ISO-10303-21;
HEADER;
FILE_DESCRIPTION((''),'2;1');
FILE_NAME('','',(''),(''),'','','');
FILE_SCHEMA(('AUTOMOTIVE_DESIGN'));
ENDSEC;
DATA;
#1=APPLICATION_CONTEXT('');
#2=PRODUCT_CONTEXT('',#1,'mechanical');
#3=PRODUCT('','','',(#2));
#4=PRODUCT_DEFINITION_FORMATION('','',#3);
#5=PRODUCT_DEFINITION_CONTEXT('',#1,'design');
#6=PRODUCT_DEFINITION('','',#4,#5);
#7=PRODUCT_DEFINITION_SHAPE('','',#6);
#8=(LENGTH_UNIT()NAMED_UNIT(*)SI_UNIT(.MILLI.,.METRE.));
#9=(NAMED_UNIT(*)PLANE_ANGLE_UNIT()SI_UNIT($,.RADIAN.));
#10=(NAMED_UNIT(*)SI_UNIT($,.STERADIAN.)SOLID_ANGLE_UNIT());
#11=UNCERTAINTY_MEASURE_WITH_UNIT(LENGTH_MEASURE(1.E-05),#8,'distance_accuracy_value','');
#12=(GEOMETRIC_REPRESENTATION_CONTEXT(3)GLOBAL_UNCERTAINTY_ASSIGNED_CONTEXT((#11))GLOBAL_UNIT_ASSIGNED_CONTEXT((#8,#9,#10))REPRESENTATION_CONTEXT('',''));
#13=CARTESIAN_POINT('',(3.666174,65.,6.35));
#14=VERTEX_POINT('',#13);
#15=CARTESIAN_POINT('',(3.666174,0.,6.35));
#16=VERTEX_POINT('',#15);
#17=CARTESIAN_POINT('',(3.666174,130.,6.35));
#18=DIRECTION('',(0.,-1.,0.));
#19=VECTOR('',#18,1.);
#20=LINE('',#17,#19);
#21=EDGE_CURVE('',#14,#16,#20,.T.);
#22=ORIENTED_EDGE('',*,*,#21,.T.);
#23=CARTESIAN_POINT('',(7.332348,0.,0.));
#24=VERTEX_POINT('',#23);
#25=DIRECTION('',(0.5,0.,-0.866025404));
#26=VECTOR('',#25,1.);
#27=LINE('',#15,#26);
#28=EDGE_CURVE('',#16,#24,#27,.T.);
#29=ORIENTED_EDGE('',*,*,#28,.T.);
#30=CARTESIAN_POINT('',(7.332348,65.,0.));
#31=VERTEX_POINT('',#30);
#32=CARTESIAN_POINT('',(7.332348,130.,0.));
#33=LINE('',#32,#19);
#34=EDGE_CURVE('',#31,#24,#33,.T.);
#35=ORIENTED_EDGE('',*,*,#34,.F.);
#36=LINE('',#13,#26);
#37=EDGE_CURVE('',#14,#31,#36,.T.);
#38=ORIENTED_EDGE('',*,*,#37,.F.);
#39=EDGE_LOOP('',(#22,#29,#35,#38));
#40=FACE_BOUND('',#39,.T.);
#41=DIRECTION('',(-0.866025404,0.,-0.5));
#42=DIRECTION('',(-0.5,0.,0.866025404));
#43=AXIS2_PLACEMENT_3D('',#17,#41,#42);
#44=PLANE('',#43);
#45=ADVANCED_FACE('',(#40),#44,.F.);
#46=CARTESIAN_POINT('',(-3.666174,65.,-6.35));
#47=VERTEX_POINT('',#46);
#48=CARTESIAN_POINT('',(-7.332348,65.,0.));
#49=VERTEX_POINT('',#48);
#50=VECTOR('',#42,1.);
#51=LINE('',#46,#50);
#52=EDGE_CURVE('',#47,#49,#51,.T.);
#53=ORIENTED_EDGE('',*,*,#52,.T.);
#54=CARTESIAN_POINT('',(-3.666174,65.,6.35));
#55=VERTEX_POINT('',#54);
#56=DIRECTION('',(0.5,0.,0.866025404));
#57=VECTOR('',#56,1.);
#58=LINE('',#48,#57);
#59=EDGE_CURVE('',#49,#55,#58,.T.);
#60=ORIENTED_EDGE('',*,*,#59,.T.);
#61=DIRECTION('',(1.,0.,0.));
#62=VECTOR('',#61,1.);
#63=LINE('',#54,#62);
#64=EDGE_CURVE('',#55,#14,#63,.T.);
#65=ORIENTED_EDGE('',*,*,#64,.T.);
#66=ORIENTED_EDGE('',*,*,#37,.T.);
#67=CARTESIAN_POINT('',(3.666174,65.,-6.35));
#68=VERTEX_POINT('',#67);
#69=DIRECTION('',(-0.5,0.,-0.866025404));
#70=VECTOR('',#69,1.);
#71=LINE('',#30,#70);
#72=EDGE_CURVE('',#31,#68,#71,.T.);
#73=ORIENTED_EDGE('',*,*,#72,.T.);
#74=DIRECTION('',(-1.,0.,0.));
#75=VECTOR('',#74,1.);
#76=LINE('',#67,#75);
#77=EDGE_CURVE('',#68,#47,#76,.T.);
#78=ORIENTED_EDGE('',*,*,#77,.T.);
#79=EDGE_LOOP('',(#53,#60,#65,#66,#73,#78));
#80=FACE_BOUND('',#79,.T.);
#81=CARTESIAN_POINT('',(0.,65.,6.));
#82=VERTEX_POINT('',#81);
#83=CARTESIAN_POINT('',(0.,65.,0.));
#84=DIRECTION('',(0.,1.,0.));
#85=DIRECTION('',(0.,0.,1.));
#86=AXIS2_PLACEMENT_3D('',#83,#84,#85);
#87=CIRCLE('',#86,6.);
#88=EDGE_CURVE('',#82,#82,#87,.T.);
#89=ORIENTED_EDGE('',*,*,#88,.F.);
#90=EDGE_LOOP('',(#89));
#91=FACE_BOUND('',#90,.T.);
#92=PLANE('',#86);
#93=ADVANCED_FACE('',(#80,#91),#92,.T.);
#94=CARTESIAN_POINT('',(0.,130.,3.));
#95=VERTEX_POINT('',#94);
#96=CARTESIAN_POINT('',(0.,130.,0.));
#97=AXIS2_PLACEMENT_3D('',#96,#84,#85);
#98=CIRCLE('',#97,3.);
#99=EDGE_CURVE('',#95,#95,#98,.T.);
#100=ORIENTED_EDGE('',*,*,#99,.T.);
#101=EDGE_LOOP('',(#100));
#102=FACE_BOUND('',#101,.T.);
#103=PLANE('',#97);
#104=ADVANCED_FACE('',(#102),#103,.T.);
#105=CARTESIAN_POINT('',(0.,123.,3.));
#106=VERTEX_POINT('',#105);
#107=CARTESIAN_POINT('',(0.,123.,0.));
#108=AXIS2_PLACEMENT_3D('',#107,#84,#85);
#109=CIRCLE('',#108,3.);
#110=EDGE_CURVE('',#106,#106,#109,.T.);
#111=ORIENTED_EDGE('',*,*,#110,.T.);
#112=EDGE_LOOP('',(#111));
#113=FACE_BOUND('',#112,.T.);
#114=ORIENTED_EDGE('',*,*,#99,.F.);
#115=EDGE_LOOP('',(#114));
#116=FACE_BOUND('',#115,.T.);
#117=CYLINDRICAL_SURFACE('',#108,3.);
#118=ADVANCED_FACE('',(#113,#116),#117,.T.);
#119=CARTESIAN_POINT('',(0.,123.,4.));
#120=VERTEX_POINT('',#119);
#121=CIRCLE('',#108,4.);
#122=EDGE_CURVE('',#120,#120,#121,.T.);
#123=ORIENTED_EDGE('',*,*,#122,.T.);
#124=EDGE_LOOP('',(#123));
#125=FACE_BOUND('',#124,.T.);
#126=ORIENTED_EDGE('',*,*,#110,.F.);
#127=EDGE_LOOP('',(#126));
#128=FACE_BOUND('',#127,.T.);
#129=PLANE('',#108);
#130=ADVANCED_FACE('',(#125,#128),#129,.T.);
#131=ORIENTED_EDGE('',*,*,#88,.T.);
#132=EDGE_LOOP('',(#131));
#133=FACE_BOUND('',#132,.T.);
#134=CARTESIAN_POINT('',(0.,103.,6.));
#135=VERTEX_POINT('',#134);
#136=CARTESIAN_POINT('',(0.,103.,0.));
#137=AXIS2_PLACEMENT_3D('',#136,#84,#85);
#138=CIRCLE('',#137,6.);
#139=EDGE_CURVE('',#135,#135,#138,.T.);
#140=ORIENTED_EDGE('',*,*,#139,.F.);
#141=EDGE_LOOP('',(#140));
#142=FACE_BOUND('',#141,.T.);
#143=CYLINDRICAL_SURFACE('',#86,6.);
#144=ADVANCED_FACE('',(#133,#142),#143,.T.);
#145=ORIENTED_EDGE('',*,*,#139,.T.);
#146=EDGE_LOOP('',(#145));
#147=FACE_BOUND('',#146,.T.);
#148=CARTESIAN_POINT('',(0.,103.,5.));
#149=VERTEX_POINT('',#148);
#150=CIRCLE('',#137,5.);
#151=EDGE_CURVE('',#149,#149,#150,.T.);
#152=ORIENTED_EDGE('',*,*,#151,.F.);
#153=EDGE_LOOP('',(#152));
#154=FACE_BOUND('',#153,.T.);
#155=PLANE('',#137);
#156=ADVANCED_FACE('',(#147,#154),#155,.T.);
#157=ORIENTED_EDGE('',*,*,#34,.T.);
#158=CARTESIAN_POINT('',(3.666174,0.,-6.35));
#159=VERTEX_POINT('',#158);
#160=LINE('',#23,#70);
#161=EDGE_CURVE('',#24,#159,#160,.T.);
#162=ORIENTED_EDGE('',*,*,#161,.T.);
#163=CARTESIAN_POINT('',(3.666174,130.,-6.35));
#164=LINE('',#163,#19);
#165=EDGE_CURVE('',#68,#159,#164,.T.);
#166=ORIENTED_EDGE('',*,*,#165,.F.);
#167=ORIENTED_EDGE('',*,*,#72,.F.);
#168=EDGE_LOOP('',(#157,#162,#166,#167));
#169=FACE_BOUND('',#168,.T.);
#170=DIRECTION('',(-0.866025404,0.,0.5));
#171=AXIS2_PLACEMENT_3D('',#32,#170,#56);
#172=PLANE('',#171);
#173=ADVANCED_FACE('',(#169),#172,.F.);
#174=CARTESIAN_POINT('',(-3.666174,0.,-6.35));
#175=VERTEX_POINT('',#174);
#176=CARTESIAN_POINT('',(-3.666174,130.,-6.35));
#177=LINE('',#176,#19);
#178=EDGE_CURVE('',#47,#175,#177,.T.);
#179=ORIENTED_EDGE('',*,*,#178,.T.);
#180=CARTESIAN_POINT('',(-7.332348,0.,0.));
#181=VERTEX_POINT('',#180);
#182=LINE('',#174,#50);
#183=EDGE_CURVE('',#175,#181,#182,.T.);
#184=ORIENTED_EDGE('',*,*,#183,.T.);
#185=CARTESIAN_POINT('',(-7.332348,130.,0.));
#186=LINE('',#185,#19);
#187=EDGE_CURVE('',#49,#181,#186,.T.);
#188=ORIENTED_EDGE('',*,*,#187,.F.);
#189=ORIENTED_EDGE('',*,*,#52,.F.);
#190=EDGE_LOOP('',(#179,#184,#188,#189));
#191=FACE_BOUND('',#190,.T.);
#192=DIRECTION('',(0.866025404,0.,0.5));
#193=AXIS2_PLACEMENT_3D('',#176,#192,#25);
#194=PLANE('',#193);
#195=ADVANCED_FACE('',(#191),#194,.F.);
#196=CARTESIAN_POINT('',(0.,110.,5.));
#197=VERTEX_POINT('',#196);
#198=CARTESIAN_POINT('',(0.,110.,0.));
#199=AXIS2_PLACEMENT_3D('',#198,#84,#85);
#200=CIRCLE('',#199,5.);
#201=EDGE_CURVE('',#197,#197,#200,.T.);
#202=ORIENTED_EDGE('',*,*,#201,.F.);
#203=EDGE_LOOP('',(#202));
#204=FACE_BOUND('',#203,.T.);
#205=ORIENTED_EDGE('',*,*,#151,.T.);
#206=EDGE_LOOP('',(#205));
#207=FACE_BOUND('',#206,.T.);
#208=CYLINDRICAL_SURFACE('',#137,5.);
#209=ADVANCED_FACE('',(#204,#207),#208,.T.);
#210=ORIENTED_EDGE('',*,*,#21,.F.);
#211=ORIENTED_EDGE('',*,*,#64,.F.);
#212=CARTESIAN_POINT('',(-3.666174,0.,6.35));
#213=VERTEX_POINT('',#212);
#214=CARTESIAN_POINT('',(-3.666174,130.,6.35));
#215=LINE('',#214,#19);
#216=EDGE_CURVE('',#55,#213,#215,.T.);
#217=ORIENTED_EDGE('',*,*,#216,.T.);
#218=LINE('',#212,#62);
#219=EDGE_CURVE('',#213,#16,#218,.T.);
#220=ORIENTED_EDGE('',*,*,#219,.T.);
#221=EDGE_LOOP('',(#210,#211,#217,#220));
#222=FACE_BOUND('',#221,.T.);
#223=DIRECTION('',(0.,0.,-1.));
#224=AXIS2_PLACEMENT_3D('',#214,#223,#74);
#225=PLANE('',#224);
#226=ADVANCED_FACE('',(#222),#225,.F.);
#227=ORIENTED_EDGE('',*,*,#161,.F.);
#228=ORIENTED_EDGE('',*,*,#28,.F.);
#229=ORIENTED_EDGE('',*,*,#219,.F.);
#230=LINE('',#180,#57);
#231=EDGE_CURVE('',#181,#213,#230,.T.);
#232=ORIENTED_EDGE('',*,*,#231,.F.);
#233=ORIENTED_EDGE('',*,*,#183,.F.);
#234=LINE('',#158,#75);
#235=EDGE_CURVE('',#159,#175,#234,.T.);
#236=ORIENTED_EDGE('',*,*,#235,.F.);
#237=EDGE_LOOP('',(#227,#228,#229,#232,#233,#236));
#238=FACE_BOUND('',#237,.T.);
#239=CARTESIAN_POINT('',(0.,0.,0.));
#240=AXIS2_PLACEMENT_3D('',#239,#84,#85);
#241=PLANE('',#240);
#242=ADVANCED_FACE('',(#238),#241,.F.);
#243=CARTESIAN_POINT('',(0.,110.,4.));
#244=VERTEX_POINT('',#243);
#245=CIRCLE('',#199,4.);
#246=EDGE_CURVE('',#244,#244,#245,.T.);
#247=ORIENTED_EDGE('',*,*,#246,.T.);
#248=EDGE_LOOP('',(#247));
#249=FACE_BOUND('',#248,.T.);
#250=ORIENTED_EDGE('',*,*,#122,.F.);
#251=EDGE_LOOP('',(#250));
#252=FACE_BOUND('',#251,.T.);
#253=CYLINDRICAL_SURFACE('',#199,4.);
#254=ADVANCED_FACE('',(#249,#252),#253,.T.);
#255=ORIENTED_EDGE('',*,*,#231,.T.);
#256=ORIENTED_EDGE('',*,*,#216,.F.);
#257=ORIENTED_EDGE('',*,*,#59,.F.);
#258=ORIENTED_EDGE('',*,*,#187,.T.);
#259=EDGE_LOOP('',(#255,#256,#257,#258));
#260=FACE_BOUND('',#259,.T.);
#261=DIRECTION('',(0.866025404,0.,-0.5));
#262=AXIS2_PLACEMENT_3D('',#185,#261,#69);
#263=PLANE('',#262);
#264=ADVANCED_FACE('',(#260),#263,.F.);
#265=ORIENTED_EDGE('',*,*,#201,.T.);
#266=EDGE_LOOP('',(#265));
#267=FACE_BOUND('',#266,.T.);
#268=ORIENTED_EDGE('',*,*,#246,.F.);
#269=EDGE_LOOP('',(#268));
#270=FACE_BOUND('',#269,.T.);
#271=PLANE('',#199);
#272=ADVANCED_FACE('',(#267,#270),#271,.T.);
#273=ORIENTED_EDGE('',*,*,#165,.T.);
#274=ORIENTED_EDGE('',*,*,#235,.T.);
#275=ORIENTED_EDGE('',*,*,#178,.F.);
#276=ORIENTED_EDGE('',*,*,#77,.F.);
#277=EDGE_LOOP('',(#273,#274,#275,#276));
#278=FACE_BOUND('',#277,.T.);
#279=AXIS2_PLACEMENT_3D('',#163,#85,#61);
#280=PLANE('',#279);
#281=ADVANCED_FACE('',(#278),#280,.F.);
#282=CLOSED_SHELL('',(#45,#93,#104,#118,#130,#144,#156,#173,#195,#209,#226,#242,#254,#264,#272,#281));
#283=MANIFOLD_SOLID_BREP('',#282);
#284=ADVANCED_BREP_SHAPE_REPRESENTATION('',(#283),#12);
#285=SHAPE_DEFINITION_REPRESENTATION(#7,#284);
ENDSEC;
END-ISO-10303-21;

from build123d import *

# Parameters (mm, degrees)
SALIENTE_EXTRUIR1_DEPTH = 130
CROQUIS3_R              = 7.332348419
CROQUIS3_R_2            = 6
CORTAR_EXTRUIR1_DEPTH   = 65
CROQUIS4_R              = 6
CROQUIS4_R_2            = 5
CORTAR_EXTRUIR2_DEPTH   = 27
CROQUIS5_R              = 5
CROQUIS5_R_2            = 4
CORTAR_EXTRUIR3_DEPTH   = 20
CROQUIS6_R              = 4
CROQUIS6_R_2            = 3
CORTAR_EXTRUIR4_DEPTH   = 7


with BuildPart() as part:
    # Croquis2 → Saliente-Extruir1 (new body)
    with BuildSketch(Plane(origin=(0, 0, 0), x_dir=(1, 0, 0), z_dir=(0, 1, 0))):
        Polygon((7.332348419, 0), (3.666174209, 6.35), (-3.666174209, 6.35), (-7.332348419, 0), (-3.666174209, -6.35), (3.666174209, -6.35), align=None)
    extrude(amount=SALIENTE_EXTRUIR1_DEPTH)

    # Croquis3 → Cortar-Extruir1 (cut)
    with BuildSketch(Plane(origin=(0, 130, 0), x_dir=(1, 0, 0), z_dir=(0, 1, 0))):
        Circle(CROQUIS3_R)
        with Locations(Location((0, 0, 0), (0, 0, 270))):
            Circle(CROQUIS3_R_2, mode=Mode.SUBTRACT)
    extrude(amount=-CORTAR_EXTRUIR1_DEPTH, mode=Mode.SUBTRACT)

    # Croquis4 → Cortar-Extruir2 (cut)
    with BuildSketch(Plane(origin=(0, 130, 0), x_dir=(1, 0, 0), z_dir=(0, 1, 0))):
        with Locations(Location((0, 0, 0), (0, 0, 270))):
            Circle(CROQUIS4_R)
        with Locations(Location((0, 0, 0), (0, 0, 270))):
            Circle(CROQUIS4_R_2, mode=Mode.SUBTRACT)
    extrude(amount=-CORTAR_EXTRUIR2_DEPTH, mode=Mode.SUBTRACT)

    # Croquis5 → Cortar-Extruir3 (cut)
    with BuildSketch(Plane(origin=(0, 130, 0), x_dir=(1, 0, 0), z_dir=(0, 1, 0))):
        with Locations(Location((0, 0, 0), (0, 0, 270))):
            Circle(CROQUIS5_R)
        with Locations(Location((0, 0, 0), (0, 0, 270))):
            Circle(CROQUIS5_R_2, mode=Mode.SUBTRACT)
    extrude(amount=-CORTAR_EXTRUIR3_DEPTH, mode=Mode.SUBTRACT)

    # Croquis6 → Cortar-Extruir4 (cut)
    with BuildSketch(Plane(origin=(0, 130, 0), x_dir=(1, 0, 0), z_dir=(0, 1, 0))):
        with Locations(Location((0, 0, 0), (0, 0, 270))):
            Circle(CROQUIS6_R)
        with Locations(Location((0, 0, 0), (0, 0, 270))):
            Circle(CROQUIS6_R_2, mode=Mode.SUBTRACT)
    extrude(amount=-CORTAR_EXTRUIR4_DEPTH, mode=Mode.SUBTRACT)


solid = part.part
